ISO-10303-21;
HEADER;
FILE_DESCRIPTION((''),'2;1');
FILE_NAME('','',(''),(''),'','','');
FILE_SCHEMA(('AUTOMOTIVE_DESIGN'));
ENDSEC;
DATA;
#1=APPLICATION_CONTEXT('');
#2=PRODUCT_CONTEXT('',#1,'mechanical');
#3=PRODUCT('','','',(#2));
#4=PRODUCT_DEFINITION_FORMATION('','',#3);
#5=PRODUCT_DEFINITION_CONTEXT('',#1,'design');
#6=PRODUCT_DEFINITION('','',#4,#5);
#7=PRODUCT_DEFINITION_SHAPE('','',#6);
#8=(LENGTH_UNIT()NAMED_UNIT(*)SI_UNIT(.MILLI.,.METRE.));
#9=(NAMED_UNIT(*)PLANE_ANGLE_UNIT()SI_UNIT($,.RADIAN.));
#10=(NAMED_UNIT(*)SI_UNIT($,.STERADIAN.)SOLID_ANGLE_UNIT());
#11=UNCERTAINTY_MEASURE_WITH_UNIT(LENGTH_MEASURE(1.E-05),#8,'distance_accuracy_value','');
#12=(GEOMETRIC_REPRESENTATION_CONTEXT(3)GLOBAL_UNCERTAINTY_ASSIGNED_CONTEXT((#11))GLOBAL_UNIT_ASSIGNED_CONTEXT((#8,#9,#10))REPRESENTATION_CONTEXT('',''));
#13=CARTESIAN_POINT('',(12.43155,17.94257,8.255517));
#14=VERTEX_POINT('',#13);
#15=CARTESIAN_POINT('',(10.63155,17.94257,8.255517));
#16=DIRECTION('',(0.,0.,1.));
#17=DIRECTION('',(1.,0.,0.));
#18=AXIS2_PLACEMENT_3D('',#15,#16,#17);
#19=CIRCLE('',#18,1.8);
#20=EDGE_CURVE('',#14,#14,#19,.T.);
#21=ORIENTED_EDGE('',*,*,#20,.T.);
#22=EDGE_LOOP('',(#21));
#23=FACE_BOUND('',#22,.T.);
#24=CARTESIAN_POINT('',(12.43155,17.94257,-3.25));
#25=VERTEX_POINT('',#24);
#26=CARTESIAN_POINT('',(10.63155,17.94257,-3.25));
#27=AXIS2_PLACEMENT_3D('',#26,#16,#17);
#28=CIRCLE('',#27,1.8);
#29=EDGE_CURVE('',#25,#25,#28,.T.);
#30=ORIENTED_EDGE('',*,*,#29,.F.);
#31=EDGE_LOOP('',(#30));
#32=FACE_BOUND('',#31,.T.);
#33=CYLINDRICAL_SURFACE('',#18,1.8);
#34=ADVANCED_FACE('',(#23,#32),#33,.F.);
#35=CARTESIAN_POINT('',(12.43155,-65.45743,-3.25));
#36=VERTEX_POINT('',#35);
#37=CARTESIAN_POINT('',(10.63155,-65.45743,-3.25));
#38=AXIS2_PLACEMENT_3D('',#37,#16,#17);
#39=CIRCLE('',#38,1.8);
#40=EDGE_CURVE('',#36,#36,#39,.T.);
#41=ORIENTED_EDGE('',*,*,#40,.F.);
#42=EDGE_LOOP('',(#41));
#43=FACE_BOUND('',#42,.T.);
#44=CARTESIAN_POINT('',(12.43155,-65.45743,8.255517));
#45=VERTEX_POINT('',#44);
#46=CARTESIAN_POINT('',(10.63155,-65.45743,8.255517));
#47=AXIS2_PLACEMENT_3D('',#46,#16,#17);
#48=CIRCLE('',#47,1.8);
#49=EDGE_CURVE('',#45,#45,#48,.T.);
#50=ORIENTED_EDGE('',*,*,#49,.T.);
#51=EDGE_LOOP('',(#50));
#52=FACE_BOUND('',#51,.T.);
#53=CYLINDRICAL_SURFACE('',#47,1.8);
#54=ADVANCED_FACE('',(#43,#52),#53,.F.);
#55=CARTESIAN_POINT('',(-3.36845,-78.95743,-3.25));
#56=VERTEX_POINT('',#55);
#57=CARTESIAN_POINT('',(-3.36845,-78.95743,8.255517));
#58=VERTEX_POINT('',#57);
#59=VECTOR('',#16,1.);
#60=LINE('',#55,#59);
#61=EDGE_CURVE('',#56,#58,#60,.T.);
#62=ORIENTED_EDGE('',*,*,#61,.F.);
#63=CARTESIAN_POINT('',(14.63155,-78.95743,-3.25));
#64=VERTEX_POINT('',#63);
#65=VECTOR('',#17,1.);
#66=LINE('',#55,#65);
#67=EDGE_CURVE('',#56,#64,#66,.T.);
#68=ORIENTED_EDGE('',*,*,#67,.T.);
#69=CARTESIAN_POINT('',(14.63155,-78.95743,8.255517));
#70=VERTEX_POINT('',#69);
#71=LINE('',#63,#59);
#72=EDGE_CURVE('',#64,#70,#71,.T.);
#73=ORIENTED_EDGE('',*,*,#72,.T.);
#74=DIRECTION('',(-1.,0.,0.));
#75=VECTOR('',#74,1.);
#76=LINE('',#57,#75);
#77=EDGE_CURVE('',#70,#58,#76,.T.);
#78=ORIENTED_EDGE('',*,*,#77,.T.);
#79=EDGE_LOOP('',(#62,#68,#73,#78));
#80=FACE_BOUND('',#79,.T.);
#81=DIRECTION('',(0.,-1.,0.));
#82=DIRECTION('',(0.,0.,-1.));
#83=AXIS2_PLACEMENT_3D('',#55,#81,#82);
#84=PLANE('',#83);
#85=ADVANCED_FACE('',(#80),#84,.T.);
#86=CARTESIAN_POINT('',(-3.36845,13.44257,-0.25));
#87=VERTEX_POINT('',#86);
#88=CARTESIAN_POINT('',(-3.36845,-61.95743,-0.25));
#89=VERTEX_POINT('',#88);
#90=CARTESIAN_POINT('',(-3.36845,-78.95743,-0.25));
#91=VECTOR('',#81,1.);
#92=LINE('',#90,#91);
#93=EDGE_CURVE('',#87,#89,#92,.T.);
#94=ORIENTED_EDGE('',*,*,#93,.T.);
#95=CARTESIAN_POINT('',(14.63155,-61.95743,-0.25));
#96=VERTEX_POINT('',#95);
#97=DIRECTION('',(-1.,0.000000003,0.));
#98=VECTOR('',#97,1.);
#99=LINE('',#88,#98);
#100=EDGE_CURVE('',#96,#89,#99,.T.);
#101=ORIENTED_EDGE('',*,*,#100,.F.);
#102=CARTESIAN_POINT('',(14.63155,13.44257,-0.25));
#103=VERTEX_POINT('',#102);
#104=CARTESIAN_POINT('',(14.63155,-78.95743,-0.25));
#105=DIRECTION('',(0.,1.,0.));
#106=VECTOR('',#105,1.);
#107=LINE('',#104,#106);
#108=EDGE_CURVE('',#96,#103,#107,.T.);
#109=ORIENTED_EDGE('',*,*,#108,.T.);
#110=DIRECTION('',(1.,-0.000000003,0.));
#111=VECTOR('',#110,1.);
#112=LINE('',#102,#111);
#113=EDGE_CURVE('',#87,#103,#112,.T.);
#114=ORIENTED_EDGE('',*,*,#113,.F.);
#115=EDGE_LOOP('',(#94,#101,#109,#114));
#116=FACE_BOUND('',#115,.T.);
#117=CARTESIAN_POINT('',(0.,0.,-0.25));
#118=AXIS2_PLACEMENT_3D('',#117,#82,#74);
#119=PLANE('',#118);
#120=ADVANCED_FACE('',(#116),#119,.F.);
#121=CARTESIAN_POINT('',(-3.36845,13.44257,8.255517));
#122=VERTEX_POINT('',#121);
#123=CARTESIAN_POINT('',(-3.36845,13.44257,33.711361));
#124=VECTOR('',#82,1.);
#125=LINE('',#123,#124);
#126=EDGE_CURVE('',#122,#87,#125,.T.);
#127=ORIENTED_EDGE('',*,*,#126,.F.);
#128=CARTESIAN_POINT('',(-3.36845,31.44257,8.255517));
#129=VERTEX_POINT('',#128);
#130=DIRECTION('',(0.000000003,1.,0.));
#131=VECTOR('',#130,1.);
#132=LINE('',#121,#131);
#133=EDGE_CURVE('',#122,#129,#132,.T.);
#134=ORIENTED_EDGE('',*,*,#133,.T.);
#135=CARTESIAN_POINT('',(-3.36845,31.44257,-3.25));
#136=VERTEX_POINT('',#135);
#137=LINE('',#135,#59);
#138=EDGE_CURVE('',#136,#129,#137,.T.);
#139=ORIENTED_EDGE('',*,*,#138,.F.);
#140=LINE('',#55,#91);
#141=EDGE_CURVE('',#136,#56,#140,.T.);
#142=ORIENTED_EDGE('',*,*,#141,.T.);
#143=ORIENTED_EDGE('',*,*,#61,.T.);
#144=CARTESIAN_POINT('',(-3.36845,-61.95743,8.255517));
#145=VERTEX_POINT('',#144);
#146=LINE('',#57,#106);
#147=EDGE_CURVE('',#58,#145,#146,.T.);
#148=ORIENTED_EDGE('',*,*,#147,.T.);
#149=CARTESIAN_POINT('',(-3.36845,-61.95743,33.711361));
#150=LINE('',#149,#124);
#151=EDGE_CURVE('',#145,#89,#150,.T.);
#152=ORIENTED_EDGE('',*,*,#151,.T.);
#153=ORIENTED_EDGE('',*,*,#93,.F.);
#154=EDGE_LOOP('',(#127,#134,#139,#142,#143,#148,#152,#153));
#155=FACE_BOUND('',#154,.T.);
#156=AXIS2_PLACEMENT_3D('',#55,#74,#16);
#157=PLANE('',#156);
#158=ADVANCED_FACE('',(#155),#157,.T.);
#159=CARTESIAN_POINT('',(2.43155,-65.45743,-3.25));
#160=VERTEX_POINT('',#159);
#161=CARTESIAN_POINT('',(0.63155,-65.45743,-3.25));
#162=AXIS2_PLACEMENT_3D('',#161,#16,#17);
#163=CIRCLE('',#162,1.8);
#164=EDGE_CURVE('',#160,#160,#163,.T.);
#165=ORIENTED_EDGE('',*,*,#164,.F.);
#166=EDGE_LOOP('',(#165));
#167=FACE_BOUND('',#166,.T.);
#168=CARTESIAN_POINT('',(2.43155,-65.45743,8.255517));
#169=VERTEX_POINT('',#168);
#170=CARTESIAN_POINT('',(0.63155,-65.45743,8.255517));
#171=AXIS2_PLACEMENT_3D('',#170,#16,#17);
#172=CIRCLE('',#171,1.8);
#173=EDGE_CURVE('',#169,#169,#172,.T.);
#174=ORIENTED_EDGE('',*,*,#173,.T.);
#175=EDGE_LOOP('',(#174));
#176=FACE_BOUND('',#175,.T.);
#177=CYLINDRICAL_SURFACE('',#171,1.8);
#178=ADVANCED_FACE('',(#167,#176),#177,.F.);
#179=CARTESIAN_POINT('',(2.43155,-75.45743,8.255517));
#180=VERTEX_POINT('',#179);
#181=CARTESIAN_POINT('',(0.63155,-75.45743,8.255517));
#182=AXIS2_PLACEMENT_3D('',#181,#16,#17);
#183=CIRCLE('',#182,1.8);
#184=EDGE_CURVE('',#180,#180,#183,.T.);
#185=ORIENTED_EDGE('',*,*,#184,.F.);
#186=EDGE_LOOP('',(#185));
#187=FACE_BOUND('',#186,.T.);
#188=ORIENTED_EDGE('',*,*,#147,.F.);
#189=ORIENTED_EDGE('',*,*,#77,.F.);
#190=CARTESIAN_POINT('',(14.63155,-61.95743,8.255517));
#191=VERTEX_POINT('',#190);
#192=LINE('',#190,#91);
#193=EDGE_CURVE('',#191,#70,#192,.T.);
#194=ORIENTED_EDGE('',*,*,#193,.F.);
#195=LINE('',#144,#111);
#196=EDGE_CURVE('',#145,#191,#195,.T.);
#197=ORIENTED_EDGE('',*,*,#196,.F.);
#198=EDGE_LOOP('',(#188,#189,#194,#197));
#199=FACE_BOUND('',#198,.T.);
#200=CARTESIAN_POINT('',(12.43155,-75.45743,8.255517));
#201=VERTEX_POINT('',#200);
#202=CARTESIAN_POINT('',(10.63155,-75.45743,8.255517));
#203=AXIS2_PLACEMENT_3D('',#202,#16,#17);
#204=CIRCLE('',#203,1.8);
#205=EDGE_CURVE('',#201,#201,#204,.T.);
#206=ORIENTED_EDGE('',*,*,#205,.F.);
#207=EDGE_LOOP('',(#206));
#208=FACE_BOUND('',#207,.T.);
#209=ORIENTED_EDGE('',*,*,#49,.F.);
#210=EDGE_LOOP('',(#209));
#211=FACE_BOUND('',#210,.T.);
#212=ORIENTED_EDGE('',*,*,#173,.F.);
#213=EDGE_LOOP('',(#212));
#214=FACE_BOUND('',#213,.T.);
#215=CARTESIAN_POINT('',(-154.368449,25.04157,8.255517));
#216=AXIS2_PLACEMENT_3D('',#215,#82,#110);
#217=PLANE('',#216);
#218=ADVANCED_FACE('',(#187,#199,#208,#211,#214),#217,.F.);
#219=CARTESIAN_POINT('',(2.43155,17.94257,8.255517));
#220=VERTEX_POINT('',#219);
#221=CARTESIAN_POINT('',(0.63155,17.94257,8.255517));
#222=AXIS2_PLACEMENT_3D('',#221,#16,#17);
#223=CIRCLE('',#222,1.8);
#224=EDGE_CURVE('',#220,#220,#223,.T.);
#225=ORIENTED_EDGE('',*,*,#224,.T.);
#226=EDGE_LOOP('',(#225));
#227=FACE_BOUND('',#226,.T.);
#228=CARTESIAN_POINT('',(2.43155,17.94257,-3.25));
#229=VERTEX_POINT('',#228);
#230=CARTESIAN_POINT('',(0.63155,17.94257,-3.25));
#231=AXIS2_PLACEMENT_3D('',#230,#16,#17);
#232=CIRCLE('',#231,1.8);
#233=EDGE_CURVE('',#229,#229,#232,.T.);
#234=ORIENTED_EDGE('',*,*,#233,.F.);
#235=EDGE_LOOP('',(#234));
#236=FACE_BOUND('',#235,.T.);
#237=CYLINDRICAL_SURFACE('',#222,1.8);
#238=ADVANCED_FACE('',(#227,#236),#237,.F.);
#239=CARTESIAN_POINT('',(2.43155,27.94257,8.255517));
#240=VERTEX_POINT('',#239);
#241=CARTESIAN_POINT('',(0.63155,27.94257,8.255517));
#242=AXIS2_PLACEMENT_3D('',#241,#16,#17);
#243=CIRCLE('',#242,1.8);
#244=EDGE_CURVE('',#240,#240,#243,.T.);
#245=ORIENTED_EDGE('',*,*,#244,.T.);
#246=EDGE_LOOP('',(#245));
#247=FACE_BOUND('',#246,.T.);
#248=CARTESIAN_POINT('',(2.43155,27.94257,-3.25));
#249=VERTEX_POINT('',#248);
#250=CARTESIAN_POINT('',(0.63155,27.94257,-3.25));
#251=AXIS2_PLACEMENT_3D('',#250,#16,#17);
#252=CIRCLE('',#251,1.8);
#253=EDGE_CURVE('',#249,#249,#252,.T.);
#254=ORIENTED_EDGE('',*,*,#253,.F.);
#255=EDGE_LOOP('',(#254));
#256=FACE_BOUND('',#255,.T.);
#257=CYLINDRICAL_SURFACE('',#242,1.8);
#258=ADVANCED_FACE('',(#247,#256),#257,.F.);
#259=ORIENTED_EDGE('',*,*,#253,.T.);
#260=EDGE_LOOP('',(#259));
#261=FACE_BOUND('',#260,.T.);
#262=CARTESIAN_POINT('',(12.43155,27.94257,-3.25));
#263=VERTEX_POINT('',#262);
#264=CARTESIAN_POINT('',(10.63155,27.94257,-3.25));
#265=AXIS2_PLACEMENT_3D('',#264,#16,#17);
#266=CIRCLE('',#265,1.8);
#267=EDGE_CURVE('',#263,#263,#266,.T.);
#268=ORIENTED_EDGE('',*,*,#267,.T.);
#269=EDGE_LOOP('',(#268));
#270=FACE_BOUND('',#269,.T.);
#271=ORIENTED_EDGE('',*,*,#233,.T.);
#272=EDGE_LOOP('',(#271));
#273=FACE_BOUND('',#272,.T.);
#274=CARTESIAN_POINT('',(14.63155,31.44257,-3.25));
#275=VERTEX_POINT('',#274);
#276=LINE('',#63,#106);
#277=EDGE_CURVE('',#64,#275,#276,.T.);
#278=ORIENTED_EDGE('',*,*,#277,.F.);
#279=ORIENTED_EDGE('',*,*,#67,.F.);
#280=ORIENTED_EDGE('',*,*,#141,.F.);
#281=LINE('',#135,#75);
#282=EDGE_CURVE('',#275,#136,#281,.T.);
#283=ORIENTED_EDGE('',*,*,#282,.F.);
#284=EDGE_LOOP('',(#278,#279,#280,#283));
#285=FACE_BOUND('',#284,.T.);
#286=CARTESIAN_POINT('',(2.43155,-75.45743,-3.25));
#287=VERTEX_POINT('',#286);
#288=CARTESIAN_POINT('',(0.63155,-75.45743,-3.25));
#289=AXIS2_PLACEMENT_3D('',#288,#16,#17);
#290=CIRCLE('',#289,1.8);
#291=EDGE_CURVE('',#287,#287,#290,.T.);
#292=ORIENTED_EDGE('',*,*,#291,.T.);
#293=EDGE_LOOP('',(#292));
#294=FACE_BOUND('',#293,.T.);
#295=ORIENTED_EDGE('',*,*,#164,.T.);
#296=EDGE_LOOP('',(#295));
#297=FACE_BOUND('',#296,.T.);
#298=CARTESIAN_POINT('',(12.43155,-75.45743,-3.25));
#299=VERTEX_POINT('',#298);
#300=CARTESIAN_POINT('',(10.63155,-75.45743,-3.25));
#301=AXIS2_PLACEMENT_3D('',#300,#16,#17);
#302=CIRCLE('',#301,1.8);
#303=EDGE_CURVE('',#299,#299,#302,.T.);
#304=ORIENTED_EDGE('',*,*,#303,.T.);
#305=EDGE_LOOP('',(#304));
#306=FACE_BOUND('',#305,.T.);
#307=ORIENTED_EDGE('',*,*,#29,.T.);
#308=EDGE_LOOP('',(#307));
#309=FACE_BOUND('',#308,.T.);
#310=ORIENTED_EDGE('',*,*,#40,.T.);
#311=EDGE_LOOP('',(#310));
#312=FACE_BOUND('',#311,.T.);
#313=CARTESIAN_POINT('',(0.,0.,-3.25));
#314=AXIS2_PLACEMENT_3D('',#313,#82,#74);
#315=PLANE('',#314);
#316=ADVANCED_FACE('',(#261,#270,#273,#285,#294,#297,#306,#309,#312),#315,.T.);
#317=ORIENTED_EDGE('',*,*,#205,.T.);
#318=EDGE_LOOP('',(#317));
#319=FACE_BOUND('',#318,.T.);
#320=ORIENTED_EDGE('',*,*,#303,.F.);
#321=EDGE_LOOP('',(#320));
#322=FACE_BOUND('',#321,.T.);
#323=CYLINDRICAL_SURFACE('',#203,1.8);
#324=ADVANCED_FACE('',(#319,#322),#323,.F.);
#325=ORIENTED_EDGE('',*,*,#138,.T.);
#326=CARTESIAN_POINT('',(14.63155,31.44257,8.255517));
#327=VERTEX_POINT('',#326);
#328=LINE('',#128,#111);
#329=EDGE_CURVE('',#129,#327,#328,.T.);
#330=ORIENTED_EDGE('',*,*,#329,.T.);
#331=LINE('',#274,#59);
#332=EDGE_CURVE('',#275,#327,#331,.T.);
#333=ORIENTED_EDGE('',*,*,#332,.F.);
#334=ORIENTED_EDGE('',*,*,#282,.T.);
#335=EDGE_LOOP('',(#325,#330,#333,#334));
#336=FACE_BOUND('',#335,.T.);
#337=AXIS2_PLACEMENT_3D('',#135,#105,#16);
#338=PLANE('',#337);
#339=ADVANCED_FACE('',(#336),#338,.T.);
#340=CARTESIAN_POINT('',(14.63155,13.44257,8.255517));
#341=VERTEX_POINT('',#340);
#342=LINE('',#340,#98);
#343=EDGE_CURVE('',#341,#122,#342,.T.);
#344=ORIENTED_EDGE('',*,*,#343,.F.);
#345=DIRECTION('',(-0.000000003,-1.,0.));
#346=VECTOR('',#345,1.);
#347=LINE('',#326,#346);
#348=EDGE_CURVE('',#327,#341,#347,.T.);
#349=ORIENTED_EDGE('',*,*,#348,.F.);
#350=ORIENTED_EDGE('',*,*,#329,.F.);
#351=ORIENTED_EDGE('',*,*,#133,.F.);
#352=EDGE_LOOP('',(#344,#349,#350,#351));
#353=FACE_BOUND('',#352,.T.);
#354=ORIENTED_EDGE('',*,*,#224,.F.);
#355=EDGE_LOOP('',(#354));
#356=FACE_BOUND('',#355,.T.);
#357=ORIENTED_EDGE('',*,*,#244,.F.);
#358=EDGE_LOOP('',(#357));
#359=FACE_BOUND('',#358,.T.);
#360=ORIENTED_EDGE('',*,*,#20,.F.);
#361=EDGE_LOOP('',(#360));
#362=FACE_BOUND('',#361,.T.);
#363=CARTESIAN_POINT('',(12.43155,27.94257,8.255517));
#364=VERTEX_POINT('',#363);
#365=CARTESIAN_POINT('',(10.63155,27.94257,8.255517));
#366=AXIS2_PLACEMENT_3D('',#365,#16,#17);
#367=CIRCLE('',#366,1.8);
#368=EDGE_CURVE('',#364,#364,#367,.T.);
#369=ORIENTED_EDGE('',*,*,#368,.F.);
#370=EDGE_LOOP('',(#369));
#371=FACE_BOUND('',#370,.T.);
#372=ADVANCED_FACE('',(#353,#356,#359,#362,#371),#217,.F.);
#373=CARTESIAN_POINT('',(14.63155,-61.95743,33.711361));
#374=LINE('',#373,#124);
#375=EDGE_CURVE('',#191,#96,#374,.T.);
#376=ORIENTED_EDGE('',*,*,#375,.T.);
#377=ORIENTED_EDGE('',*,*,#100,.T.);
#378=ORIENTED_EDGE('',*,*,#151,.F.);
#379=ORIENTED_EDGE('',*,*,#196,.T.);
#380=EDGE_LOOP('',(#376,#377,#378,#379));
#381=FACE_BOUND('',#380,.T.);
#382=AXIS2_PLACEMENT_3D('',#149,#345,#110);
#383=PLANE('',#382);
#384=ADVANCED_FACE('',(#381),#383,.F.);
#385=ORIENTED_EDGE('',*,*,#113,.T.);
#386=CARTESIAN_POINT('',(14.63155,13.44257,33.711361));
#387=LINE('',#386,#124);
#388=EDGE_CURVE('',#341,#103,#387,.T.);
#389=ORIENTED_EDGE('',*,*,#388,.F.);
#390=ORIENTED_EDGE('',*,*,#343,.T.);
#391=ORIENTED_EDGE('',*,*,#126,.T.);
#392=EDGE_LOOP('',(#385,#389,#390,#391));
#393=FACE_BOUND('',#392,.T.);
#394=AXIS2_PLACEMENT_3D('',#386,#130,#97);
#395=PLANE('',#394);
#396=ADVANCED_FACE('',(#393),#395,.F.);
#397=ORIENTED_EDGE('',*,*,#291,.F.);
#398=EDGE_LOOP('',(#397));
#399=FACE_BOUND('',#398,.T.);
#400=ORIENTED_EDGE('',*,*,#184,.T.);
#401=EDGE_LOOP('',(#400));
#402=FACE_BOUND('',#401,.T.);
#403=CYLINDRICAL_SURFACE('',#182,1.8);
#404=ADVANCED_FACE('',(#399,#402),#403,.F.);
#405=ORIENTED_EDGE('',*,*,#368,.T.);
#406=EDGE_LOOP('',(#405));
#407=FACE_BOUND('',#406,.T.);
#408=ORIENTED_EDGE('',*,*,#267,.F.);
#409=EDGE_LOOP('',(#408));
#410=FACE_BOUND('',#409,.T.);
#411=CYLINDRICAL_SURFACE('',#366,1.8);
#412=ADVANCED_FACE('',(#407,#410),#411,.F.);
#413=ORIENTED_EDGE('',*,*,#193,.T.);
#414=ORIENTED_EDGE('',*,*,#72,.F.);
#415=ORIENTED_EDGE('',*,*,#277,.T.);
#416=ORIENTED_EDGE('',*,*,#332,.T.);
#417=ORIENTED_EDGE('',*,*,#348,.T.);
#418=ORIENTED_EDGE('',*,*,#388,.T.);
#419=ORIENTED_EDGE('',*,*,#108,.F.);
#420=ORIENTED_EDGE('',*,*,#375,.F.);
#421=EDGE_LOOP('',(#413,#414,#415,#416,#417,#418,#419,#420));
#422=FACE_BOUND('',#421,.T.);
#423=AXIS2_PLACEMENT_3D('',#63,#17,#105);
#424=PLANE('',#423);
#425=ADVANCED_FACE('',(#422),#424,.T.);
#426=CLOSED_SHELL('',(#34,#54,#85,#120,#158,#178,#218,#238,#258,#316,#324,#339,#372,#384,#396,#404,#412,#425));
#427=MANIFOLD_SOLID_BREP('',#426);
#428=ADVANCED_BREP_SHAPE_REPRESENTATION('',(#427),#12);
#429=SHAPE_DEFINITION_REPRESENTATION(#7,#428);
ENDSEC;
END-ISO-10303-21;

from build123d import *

# Parameters (mm, degrees)
SKETCH2_W            = 18
SKETCH2_H            = 110.4
BOSS_EXTRUDE1_DEPTH  = 3
BOSS_EXTRUDE2_DEPTH  = 8.50551692
M3_CLEARANCE_HOLE1_D = 3.6


with BuildPart() as part:
    # Sketch2 → Boss-Extrude1 (new body)
    with BuildSketch(Plane.XY.offset(-0.25)):
        with Locations((5.631550422, -23.757430205)):
            Rectangle(SKETCH2_W, SKETCH2_H)
    extrude(amount=-BOSS_EXTRUDE1_DEPTH)

    # Sketch3 → Boss-Extrude2 (add)
    with BuildSketch(Plane.XY.offset(-0.25)):
        Polygon((-3.368449578, 31.442569795), (14.631550422, 31.442569738), (14.631550364, 13.442569738), (-3.368449636, 13.442569795), align=None)
        Polygon((-3.368449578, -61.957430205), (14.631550422, -61.957430262), (14.631550422, -78.957430205), (-3.368449578, -78.957430205), align=None)
    extrude(amount=BOSS_EXTRUDE2_DEPTH)

    # M3 Clearance Hole1 (through all)
    with Locations(Plane.XY.offset(8.25551692)):
        with Locations((0.631550422, -65.457430205), (0.631550422, -75.457430205), (10.631550422, -75.457430205), (10.631550422, -65.457430205), (0.631550422, 17.942569795), (10.631550422, 17.942569795), (10.631550422, 27.942569795), (0.631550422, 27.942569795)):
            Hole(M3_CLEARANCE_HOLE1_D / 2)


solid = part.part
